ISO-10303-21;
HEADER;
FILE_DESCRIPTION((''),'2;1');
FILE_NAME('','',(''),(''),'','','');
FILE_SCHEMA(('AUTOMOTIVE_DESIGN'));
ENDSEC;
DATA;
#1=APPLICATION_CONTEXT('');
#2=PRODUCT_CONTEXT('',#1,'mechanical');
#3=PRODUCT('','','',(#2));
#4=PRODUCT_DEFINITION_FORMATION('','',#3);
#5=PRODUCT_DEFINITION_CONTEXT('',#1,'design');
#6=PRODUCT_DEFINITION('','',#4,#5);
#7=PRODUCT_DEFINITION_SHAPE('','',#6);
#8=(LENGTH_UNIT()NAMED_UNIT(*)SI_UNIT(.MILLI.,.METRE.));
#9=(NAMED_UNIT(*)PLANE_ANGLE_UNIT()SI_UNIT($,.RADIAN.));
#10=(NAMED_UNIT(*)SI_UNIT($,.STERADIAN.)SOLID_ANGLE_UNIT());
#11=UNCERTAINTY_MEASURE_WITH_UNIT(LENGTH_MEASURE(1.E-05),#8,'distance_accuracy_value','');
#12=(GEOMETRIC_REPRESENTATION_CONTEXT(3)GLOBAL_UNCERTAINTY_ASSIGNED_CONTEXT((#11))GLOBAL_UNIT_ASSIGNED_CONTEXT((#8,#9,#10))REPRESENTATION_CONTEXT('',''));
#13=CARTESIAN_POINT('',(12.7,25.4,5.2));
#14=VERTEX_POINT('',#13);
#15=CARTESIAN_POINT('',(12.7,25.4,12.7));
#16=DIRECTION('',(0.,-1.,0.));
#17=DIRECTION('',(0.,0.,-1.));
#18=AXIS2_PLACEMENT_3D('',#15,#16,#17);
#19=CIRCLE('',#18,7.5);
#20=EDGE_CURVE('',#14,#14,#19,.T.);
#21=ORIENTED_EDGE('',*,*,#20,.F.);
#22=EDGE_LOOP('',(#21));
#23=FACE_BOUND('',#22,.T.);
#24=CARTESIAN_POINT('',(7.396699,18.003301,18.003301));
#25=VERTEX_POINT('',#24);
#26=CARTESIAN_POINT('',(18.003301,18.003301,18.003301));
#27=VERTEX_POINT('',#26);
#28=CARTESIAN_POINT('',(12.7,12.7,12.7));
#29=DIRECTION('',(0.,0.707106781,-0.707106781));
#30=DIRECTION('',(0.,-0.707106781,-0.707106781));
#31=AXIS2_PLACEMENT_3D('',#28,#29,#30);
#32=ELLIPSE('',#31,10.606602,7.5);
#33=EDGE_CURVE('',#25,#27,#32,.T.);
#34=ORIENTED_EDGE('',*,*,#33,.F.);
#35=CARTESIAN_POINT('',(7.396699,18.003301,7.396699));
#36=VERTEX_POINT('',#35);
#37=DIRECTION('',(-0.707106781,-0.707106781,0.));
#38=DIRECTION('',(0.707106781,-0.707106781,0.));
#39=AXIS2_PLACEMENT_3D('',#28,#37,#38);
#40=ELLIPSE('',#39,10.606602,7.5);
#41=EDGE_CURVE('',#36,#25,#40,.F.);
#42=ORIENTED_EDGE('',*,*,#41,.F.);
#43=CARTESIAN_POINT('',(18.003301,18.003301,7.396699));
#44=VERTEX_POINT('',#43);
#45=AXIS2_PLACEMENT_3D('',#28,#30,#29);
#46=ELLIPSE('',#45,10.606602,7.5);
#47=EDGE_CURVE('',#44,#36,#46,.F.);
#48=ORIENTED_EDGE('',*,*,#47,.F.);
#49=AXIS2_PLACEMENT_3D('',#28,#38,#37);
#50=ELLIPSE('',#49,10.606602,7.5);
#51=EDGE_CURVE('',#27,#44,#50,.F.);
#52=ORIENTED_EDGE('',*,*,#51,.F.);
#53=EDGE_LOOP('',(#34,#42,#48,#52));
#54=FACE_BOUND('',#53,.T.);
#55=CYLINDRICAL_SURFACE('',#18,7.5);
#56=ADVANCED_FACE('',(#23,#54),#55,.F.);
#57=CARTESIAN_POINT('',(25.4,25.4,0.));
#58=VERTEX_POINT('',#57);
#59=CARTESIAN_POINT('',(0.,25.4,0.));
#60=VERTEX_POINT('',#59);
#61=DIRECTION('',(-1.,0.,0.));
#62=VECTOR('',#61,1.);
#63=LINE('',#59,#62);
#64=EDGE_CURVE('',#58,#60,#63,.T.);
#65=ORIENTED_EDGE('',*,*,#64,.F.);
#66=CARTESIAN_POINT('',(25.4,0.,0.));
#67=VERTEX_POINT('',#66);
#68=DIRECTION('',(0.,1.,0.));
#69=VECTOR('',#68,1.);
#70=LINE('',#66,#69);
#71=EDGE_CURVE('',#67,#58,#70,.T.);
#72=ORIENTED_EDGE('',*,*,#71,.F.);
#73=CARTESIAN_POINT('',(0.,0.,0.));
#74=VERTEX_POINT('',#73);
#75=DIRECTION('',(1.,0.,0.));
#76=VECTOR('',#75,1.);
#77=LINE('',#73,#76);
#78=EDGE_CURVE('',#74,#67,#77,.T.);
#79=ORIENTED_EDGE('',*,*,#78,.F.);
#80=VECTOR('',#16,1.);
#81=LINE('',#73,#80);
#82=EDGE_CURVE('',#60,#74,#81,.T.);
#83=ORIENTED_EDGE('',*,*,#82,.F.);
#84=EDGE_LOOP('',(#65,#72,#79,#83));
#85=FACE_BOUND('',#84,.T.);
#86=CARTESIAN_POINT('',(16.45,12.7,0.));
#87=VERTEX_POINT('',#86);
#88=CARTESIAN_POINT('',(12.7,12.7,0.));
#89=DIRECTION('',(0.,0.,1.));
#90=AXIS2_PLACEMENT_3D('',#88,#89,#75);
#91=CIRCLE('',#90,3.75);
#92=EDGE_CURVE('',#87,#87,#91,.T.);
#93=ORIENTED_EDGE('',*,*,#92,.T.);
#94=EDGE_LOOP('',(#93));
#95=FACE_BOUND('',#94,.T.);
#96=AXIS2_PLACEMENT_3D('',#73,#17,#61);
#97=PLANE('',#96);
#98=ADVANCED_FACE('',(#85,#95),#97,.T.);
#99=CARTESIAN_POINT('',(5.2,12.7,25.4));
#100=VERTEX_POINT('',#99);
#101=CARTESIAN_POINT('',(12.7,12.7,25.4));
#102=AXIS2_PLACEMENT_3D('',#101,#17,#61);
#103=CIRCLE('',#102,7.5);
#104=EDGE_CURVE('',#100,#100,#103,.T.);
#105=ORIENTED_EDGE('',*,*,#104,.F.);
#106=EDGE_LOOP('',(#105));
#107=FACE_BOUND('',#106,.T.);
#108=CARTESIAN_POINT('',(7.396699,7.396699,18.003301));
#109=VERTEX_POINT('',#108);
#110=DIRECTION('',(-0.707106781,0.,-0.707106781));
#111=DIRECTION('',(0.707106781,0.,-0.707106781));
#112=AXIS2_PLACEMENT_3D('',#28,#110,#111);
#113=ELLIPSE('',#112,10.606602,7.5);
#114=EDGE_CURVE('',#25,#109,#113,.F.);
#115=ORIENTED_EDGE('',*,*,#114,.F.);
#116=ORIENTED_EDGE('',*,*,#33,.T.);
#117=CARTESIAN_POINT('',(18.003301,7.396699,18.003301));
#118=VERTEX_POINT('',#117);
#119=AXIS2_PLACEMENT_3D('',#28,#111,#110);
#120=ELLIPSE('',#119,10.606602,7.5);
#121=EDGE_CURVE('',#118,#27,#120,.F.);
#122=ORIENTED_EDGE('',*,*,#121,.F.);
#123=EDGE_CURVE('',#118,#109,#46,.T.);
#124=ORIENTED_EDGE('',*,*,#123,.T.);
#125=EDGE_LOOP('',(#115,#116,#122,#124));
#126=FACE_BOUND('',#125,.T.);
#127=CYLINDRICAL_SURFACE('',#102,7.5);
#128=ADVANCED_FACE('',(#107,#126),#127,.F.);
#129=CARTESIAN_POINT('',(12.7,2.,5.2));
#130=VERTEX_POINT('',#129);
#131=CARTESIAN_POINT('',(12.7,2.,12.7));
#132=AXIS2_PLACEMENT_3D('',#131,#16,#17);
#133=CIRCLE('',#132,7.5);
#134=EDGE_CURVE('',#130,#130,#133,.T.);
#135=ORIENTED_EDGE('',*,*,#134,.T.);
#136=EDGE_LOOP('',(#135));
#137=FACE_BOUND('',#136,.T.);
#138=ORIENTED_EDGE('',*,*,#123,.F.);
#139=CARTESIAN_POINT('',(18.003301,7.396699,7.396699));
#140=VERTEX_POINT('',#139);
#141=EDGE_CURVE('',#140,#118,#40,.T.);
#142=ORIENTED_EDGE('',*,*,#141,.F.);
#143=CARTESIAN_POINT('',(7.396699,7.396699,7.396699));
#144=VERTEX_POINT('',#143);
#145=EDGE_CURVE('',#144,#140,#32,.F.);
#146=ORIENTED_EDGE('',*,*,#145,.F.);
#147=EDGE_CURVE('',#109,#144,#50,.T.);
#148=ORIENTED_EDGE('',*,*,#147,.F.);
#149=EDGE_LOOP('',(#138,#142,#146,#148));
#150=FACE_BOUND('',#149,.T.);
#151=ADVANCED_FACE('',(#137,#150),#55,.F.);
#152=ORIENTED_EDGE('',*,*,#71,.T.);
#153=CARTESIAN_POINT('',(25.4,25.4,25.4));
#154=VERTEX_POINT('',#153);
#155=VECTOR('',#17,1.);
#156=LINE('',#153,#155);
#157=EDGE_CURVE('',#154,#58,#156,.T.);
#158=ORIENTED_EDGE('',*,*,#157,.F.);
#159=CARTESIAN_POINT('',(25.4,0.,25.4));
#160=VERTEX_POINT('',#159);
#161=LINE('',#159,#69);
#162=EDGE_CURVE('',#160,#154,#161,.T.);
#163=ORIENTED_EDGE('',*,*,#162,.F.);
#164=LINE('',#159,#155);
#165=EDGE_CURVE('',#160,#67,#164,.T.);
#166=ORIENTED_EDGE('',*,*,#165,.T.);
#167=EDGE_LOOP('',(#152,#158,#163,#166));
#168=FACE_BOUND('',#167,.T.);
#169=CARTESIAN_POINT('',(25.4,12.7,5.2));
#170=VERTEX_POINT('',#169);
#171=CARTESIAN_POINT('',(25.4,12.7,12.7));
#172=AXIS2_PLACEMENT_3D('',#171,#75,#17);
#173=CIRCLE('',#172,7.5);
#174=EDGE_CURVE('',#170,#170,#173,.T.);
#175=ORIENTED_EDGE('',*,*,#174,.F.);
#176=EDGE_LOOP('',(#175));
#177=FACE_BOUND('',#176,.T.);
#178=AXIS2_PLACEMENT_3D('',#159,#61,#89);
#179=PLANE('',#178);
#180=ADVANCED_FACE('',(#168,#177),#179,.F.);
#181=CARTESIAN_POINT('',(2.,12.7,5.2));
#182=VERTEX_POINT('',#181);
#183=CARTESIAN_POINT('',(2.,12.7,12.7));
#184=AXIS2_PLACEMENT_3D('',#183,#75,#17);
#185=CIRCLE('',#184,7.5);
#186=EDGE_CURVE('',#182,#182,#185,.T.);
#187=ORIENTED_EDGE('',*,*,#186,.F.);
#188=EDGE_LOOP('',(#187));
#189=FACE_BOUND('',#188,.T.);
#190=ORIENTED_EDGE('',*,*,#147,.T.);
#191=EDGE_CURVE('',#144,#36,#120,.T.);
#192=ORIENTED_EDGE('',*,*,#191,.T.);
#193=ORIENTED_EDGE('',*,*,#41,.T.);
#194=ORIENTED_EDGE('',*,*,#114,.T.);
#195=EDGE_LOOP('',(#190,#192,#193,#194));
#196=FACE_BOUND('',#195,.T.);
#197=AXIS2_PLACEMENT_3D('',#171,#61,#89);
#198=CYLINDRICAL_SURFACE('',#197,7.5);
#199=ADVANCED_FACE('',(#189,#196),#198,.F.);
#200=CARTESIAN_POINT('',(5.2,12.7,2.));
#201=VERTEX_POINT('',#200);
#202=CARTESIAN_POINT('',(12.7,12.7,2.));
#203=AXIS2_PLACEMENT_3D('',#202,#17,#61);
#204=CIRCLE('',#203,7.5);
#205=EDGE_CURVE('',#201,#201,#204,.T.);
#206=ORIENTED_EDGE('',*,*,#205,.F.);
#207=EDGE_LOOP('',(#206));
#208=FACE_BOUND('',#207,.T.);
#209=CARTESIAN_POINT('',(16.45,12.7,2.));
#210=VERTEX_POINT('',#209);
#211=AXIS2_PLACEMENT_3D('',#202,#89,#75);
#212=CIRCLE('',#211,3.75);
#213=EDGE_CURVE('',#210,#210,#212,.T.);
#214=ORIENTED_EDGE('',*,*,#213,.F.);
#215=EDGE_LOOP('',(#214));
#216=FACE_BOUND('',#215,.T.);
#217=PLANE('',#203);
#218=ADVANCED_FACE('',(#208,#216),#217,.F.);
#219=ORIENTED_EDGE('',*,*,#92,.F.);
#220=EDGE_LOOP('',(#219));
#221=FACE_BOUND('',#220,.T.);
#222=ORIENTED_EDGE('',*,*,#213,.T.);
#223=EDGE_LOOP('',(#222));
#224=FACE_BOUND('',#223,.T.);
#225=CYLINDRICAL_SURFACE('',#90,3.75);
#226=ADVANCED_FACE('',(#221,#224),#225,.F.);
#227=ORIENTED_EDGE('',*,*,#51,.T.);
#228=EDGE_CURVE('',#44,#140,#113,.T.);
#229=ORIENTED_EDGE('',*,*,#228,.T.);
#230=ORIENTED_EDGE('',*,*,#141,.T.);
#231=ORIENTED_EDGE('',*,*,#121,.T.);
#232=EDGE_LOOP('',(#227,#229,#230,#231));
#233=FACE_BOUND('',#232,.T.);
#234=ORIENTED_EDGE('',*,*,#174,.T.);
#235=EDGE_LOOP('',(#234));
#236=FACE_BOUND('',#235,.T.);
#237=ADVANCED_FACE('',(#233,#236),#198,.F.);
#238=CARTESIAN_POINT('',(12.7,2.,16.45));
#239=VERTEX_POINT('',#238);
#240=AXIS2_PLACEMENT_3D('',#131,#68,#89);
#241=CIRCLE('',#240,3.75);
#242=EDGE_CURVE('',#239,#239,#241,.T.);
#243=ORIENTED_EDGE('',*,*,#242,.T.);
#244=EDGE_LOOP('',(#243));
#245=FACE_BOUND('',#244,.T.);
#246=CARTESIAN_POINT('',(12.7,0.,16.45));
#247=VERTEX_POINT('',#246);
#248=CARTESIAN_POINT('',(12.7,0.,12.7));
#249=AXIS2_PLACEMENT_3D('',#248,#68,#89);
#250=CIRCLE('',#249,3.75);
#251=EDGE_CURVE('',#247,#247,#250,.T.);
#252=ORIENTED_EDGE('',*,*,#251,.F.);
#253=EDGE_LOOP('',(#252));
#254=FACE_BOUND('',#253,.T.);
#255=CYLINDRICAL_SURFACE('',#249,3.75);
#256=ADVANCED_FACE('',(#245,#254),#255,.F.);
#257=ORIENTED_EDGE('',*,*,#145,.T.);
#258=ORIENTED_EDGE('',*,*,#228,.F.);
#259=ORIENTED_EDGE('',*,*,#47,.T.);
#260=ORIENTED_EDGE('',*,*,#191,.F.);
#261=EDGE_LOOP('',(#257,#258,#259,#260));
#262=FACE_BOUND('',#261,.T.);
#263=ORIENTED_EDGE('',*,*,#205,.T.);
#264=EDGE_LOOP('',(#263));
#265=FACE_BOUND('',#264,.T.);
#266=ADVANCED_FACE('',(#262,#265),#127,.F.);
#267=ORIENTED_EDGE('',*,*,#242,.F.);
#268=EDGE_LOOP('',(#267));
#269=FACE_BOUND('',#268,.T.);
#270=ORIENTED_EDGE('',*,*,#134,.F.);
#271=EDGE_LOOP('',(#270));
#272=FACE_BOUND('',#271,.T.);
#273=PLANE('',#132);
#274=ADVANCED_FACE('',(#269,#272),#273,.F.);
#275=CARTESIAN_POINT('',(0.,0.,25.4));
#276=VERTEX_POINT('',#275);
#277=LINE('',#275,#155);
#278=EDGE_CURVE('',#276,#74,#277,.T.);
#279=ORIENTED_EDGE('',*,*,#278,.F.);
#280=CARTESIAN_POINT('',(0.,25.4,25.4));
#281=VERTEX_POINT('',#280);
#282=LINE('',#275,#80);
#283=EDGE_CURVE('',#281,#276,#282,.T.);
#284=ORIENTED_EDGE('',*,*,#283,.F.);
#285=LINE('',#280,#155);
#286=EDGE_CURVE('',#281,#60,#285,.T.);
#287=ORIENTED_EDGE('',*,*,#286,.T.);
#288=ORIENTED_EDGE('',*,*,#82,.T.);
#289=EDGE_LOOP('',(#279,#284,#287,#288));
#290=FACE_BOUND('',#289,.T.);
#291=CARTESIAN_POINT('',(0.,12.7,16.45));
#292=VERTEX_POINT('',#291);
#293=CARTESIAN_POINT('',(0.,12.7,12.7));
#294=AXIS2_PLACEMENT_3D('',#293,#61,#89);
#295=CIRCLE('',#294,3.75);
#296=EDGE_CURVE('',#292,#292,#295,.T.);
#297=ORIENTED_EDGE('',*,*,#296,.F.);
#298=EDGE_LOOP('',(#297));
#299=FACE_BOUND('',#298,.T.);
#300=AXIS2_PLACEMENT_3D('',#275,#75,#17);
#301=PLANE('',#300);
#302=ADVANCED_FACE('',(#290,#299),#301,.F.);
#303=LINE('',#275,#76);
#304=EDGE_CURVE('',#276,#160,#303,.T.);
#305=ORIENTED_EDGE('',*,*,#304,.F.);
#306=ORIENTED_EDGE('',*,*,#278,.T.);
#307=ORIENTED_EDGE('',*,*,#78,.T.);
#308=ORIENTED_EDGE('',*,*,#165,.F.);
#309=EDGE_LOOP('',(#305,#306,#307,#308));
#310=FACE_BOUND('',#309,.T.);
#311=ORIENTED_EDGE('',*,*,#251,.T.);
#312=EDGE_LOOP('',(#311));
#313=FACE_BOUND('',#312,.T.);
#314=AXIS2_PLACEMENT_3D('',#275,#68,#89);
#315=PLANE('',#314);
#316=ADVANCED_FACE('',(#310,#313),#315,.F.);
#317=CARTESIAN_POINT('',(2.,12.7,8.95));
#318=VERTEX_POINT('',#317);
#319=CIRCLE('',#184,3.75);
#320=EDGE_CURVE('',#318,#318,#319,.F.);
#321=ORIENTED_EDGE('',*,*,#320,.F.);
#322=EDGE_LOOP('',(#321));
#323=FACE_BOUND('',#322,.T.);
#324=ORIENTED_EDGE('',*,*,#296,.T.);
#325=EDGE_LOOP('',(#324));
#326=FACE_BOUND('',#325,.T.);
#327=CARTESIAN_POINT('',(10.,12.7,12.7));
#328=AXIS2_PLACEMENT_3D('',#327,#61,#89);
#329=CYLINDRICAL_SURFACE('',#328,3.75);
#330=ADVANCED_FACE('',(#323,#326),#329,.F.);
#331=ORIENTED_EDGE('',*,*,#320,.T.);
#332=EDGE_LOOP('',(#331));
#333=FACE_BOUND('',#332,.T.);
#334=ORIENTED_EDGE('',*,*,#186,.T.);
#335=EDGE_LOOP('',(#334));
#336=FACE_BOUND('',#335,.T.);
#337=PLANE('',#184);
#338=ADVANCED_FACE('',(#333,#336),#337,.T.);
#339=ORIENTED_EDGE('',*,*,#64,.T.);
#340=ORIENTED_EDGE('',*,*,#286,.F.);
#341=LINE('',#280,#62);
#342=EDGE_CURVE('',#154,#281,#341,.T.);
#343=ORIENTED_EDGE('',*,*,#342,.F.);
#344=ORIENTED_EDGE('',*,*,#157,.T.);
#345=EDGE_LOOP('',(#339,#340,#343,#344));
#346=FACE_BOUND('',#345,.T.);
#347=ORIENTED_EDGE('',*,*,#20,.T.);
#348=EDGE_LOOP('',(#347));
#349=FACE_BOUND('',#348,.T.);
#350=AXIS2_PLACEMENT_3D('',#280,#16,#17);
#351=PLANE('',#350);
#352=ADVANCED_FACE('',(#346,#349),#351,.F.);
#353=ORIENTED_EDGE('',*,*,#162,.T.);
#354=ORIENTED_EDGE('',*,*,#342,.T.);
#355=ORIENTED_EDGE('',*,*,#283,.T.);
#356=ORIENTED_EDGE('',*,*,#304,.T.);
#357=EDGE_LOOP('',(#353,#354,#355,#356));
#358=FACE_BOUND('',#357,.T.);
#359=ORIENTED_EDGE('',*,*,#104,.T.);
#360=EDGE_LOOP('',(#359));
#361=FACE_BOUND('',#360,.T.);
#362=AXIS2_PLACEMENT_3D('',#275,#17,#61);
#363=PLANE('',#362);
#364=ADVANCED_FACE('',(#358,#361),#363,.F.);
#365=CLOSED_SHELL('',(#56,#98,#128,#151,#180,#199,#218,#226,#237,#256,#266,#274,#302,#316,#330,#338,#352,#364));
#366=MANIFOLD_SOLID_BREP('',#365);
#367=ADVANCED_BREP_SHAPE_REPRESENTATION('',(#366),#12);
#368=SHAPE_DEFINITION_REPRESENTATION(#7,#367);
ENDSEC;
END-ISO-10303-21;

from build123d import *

# Parameters (mm, degrees)
SKETCH1_W           = 25.4
SKETCH1_H           = 25.4
BOSS_EXTRUDE1_DEPTH = 25.4
CUT_EXTRUDE1_START  = -2
SKETCH2_R           = 7.5
CUT_EXTRUDE1_DEPTH  = 42.994090512
CUT_EXTRUDE3_START  = -2
SKETCH4_R           = 7.5
CUT_EXTRUDE3_DEPTH  = 42.994090512
SKETCH5_R           = 3.75
CUT_EXTRUDE4_DEPTH  = 43.87050268
SKETCH7_R           = 3.75
CUT_EXTRUDE6_DEPTH  = 43.87050268
SKETCH6_R           = 3.75
CUT_EXTRUDE7_DEPTH  = 10
CUT_EXTRUDE8_START  = 2
SKETCH3_R           = 7.5
CUT_EXTRUDE8_DEPTH  = 42.994090628


with BuildPart() as part:
    # Sketch1 → Boss-Extrude1 (new body)
    with BuildSketch(Plane.XY):
        with Locations((12.7, 12.7)):
            Rectangle(SKETCH1_W, SKETCH1_H)
    extrude(amount=BOSS_EXTRUDE1_DEPTH)

    # Sketch2 → Cut-Extrude1 (cut, through all)
    with BuildSketch(Plane(origin=(0, 0, 0), x_dir=(-1, 0, 0), z_dir=(0, 0, -1)).offset(CUT_EXTRUDE1_START)):
        with Locations((-12.7, 12.7)):
            Circle(SKETCH2_R)
    extrude(amount=-CUT_EXTRUDE1_DEPTH, mode=Mode.SUBTRACT)

    # Sketch4 → Cut-Extrude3 (cut, through all)
    with BuildSketch(Plane.XZ.offset(CUT_EXTRUDE3_START)):
        with Locations(Location((12.7, 12.7, 0), (0, 0, 270))):
            Circle(SKETCH4_R)
    extrude(amount=-CUT_EXTRUDE3_DEPTH, mode=Mode.SUBTRACT)

    # Sketch5 → Cut-Extrude4 (cut, through all)
    with BuildSketch(Plane(origin=(0, 2, 0), x_dir=(1, 0, 0), z_dir=(0, 1, 0))):
        with Locations(Location((12.7, -12.7, 0), (0, 0, 270))):
            Circle(SKETCH5_R)
    extrude(amount=-CUT_EXTRUDE4_DEPTH, mode=Mode.SUBTRACT)

    # Sketch7 → Cut-Extrude6 (cut, through all)
    with BuildSketch(Plane.XY.offset(2)):
        with Locations((12.7, 12.7)):
            Circle(SKETCH7_R)
    extrude(amount=-CUT_EXTRUDE6_DEPTH, mode=Mode.SUBTRACT)

    # Sketch6 → Cut-Extrude7 (cut)
    with BuildSketch(Plane.ZY):
        with Locations((12.7, 12.7)):
            Circle(SKETCH6_R)
    extrude(amount=-CUT_EXTRUDE7_DEPTH, mode=Mode.SUBTRACT)

    # Sketch3 → Cut-Extrude8 (cut, through all)
    with BuildSketch(Plane(origin=(0, 0, 0), x_dir=(0, 0, -1), z_dir=(1, 0, 0)).offset(CUT_EXTRUDE8_START)):
        with Locations((-12.7, 12.7)):
            Circle(SKETCH3_R)
    extrude(amount=CUT_EXTRUDE8_DEPTH, mode=Mode.SUBTRACT)


solid = part.part
